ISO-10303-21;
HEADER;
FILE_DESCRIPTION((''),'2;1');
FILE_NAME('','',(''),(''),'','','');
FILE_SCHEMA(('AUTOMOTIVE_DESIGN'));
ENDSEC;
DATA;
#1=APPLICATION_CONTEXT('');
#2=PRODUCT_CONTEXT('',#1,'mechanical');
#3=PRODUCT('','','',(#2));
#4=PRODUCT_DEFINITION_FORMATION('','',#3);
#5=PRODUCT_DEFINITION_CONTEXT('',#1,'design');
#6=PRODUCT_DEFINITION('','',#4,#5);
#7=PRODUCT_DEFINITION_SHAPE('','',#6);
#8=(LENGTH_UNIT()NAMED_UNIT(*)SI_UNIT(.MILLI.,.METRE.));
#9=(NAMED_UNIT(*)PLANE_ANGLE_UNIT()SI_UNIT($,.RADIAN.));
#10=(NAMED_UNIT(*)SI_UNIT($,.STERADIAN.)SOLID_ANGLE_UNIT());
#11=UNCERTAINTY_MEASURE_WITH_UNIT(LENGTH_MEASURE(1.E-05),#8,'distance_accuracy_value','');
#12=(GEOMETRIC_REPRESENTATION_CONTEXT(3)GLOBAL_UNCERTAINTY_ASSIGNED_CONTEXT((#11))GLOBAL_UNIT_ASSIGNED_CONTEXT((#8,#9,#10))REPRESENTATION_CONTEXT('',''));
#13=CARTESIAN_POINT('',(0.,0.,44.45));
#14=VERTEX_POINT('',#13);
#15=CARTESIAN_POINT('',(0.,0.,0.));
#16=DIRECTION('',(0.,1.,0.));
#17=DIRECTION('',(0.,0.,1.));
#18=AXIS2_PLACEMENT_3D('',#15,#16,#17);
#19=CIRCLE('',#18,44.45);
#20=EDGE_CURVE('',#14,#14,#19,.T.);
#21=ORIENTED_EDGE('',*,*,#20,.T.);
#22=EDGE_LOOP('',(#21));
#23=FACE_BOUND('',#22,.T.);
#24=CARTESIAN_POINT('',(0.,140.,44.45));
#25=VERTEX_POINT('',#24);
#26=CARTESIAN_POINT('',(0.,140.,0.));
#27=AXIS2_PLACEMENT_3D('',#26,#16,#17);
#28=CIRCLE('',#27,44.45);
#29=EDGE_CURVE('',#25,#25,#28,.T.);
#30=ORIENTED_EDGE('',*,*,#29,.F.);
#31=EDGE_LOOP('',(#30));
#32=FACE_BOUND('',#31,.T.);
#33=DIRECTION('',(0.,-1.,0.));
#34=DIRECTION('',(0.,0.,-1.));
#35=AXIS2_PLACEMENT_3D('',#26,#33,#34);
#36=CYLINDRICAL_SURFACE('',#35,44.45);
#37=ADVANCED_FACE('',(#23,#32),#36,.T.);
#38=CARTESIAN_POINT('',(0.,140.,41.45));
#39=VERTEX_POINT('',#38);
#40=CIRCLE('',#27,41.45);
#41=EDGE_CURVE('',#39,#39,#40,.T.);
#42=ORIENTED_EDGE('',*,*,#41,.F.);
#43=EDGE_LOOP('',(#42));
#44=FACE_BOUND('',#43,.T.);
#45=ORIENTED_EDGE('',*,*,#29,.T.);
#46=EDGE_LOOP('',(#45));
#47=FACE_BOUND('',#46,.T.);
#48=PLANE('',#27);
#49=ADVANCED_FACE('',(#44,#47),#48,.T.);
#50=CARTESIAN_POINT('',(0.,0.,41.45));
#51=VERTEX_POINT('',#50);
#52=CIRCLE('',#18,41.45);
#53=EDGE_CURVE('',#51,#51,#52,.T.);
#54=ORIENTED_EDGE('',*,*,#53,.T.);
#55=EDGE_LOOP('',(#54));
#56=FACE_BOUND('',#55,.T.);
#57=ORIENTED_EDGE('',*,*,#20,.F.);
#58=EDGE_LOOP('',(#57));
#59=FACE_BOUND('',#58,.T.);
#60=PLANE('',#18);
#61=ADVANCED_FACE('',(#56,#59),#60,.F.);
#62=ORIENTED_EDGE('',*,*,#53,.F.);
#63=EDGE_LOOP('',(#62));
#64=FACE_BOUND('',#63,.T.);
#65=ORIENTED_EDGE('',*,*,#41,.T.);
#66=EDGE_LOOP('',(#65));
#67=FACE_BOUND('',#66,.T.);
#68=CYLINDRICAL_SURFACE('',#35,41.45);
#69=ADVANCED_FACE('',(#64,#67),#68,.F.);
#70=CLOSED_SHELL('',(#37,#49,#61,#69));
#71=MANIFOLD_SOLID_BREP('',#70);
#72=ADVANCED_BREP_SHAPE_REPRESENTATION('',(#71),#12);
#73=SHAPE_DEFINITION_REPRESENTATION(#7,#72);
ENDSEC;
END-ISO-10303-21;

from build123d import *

# Parameters (mm, degrees)
ESBO_O1_R                = 44.45
ESBO_O1_R_2              = 41.45
RESSALTO_EXTRUS_O1_DEPTH = 140


with BuildPart() as part:
    # Esboço1 → Ressalto-extrusão1 (new body)
    with BuildSketch(Plane(origin=(0, 0, 0), x_dir=(1, 0, 0), z_dir=(0, 1, 0))):
        Circle(ESBO_O1_R)
        Circle(ESBO_O1_R_2, mode=Mode.SUBTRACT)
    extrude(amount=RESSALTO_EXTRUS_O1_DEPTH)


solid = part.part
